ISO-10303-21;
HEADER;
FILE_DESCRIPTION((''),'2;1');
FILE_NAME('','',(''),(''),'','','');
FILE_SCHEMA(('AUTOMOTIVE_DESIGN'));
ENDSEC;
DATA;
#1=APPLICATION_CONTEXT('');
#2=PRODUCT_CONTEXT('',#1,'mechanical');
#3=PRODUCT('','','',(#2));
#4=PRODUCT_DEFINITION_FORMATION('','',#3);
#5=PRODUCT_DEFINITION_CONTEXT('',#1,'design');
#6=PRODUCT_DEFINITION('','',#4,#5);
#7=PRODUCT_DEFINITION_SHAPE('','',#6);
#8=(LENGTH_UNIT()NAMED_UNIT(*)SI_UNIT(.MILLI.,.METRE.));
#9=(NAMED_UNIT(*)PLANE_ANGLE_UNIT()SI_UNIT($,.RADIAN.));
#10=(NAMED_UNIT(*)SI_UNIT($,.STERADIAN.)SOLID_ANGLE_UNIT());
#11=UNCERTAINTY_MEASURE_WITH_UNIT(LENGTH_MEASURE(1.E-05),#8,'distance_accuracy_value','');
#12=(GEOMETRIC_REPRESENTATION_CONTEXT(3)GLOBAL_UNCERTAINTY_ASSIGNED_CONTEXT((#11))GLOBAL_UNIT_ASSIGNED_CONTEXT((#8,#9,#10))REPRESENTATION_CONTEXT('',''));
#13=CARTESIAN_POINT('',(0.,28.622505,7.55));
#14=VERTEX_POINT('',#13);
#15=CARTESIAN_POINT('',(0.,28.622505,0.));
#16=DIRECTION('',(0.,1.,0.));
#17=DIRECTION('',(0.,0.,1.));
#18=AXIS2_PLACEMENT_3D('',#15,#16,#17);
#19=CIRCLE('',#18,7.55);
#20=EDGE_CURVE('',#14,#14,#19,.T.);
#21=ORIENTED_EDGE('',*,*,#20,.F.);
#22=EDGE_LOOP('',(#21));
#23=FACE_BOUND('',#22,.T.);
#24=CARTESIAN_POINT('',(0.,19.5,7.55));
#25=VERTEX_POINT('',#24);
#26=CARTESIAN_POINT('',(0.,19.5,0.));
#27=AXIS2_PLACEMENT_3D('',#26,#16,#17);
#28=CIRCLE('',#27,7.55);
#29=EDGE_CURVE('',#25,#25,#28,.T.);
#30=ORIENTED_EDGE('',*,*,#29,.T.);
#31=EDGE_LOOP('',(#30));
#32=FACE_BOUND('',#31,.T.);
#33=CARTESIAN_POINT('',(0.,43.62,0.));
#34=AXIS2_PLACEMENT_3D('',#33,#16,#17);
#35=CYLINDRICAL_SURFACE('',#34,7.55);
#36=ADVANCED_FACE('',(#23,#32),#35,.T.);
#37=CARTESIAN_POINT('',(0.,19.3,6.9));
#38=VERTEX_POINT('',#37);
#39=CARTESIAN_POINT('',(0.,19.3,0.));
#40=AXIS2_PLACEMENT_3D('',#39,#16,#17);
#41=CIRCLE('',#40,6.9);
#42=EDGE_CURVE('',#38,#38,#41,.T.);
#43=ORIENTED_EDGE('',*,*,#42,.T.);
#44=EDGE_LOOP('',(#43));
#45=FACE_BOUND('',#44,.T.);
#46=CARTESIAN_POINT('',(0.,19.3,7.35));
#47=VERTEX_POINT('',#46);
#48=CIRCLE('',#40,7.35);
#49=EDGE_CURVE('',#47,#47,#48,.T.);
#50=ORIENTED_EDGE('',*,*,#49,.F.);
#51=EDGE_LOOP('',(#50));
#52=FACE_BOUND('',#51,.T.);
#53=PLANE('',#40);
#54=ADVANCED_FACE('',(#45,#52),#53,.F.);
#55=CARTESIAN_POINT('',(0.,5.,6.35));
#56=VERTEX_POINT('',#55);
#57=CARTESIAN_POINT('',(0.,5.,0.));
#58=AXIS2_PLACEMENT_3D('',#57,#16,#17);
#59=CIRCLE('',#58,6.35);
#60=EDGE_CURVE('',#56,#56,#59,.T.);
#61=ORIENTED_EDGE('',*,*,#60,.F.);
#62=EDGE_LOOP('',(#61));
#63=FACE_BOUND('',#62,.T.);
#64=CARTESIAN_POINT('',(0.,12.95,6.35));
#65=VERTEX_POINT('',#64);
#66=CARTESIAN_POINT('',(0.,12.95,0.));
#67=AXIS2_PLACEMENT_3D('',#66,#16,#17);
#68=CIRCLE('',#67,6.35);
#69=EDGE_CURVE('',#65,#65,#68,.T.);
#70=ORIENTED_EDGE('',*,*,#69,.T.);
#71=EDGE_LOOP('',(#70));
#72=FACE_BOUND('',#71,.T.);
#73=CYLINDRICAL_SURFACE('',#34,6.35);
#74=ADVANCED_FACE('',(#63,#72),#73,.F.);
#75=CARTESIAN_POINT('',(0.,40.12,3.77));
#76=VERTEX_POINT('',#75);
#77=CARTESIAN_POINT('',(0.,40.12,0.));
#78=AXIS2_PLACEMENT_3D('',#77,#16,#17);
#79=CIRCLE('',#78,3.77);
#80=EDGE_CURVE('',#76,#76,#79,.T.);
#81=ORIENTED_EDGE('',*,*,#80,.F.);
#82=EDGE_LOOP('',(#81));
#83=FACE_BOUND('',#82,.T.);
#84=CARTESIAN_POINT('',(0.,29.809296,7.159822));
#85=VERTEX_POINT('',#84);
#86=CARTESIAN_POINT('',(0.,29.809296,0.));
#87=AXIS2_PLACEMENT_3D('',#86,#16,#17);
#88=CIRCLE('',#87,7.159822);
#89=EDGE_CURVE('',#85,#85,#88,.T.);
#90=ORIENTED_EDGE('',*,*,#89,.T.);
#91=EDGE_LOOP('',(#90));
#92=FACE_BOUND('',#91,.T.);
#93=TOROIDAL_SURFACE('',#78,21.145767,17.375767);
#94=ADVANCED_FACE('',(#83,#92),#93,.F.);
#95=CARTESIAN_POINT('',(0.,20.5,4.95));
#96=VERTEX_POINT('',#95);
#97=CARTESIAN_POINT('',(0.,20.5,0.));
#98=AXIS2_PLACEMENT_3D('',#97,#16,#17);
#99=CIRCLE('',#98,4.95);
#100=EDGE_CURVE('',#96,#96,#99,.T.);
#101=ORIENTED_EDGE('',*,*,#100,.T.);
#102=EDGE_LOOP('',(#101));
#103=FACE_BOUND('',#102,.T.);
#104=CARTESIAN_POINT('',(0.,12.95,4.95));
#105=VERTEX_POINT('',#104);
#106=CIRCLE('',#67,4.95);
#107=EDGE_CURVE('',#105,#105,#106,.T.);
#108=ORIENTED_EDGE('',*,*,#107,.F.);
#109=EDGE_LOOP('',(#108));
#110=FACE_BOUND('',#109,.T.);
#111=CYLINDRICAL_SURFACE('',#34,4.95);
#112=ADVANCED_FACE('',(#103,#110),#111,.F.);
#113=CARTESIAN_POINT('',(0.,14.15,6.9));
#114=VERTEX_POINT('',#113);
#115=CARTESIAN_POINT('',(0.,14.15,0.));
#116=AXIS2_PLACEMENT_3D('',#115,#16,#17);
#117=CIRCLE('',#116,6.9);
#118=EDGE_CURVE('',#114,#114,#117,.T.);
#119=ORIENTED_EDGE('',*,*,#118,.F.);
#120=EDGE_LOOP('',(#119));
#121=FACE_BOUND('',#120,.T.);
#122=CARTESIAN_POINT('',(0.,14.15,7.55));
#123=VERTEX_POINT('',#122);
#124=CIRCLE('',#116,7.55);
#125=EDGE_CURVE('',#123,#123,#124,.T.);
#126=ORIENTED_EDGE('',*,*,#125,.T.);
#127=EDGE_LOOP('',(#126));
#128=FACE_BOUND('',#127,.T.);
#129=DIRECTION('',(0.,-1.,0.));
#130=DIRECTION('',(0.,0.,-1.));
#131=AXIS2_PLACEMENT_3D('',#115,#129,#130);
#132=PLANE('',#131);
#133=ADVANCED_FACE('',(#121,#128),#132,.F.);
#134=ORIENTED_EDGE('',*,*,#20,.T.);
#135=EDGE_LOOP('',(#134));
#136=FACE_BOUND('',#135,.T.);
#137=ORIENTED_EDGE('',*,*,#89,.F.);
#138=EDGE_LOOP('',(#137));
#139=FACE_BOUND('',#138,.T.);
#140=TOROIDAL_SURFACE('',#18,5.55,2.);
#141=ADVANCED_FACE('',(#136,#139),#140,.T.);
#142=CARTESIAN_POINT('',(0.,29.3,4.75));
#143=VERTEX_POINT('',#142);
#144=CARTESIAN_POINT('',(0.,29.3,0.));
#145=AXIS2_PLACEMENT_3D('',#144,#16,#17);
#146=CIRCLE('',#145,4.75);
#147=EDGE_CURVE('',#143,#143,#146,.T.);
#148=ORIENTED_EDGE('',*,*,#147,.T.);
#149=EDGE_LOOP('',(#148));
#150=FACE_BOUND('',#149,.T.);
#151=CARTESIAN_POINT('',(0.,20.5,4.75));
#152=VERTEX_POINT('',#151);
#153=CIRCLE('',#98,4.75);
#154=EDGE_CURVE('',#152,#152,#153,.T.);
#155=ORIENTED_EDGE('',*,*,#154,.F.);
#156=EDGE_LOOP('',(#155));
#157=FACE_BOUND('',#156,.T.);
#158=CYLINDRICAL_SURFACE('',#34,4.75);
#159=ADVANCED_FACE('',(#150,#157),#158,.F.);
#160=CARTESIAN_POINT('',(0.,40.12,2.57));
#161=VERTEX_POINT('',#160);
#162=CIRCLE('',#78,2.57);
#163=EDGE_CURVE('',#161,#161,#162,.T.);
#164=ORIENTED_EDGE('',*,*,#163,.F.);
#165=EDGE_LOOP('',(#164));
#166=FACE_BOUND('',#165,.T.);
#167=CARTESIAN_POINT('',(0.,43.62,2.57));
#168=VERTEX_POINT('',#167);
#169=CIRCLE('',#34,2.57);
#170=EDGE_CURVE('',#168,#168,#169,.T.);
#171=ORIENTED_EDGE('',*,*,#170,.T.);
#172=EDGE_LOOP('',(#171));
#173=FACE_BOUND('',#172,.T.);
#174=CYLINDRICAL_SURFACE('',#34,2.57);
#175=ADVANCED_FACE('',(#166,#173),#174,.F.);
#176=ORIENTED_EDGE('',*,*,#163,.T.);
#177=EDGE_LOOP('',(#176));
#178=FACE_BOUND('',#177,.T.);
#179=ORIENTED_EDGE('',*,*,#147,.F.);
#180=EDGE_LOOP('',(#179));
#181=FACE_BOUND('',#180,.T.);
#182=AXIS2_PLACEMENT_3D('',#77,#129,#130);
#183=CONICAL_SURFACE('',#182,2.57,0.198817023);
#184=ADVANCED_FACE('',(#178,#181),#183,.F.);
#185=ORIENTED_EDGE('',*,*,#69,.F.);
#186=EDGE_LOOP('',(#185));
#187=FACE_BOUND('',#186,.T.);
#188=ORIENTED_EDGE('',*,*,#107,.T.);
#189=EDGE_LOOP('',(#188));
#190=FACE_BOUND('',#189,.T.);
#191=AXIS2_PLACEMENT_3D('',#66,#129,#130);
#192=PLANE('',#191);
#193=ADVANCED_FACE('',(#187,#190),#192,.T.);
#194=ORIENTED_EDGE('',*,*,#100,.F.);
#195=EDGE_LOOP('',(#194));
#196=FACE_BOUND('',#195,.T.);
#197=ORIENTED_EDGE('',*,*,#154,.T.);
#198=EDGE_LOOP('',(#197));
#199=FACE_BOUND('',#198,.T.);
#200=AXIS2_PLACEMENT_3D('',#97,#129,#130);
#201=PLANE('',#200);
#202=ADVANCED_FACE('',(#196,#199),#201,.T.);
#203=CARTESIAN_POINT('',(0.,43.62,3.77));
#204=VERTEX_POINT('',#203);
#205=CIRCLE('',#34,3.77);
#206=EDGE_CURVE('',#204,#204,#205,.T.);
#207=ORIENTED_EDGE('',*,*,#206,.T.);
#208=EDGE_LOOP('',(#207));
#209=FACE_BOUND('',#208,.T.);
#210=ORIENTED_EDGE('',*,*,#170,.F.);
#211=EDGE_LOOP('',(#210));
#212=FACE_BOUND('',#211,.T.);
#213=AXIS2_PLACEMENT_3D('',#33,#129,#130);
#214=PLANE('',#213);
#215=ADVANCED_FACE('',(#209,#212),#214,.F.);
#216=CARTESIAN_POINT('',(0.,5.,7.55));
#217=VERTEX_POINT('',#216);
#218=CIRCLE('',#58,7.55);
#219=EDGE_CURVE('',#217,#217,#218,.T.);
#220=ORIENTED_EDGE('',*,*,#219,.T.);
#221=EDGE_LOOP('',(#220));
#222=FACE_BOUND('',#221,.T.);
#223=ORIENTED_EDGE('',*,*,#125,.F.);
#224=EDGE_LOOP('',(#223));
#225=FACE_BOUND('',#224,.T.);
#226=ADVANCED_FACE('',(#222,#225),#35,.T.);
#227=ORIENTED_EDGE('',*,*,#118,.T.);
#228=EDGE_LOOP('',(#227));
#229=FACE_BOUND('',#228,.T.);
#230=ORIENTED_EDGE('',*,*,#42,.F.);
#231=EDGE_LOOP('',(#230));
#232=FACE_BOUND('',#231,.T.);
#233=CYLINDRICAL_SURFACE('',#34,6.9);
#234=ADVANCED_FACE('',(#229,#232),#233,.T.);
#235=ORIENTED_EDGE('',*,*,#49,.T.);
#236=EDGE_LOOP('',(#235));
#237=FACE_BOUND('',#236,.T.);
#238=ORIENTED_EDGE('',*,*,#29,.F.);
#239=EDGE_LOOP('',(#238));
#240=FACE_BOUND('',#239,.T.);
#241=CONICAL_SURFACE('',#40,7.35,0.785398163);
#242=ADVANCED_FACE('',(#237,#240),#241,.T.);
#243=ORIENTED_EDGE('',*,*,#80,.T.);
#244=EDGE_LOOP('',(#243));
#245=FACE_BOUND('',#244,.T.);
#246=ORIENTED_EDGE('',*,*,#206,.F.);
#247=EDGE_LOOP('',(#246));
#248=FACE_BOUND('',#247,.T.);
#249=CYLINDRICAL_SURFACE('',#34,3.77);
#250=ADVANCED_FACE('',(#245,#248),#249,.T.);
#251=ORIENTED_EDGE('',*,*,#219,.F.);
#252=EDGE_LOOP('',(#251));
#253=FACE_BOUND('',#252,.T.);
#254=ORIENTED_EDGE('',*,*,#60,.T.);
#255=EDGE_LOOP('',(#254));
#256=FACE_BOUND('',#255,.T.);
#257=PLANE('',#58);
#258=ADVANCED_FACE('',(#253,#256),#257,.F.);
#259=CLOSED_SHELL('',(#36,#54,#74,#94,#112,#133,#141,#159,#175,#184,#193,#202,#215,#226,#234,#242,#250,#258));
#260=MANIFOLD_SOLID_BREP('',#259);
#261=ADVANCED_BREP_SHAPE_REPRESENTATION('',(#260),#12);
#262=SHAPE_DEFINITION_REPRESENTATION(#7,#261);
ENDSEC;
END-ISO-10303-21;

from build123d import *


with BuildPart() as part:
    # Sketch3 → Revolve1 (revolve)
    with BuildSketch(Plane.XY, mode=Mode.PRIVATE) as revolve1_sk:
        with BuildLine():
            Line((6.35, 12.95), (6.35, 5))
            Line((6.35, 5), (7.55, 5))
            Line((7.55, 5), (7.55, 14.15))
            Line((7.55, 14.15), (6.9, 14.15))
            Line((6.9, 14.15), (6.9, 19.3))
            Line((6.9, 19.3), (7.35, 19.3))
            Line((7.35, 19.3), (7.55, 19.5))
            Line((7.55, 19.5), (7.55, 28.622504621))
            ThreePointArc((7.55, 28.622504621), (7.449953131, 29.247146997), (7.159821902, 29.80929586))
            ThreePointArc((7.159821902, 29.80929586), (4.639195549, 34.693179743), (3.77, 40.12))
            Line((3.77, 40.12), (3.77, 43.62))
            Line((3.77, 43.62), (2.57, 43.62))
            Line((2.57, 43.62), (2.57, 40.12))
            Line((2.57, 40.12), (4.75, 29.3))
            Line((4.75, 29.3), (4.75, 20.5))
            Line((4.75, 20.5), (4.95, 20.5))
            Line((4.95, 20.5), (4.95, 12.95))
            Line((4.95, 12.95), (6.35, 12.95))
        make_face()
    revolve(revolve1_sk.sketch.rotate(Axis((0, 43.62, 0), (0, -1, 0)), 90), axis=Axis((0, 43.62, 0), (0, -1, 0)))


solid = part.part
